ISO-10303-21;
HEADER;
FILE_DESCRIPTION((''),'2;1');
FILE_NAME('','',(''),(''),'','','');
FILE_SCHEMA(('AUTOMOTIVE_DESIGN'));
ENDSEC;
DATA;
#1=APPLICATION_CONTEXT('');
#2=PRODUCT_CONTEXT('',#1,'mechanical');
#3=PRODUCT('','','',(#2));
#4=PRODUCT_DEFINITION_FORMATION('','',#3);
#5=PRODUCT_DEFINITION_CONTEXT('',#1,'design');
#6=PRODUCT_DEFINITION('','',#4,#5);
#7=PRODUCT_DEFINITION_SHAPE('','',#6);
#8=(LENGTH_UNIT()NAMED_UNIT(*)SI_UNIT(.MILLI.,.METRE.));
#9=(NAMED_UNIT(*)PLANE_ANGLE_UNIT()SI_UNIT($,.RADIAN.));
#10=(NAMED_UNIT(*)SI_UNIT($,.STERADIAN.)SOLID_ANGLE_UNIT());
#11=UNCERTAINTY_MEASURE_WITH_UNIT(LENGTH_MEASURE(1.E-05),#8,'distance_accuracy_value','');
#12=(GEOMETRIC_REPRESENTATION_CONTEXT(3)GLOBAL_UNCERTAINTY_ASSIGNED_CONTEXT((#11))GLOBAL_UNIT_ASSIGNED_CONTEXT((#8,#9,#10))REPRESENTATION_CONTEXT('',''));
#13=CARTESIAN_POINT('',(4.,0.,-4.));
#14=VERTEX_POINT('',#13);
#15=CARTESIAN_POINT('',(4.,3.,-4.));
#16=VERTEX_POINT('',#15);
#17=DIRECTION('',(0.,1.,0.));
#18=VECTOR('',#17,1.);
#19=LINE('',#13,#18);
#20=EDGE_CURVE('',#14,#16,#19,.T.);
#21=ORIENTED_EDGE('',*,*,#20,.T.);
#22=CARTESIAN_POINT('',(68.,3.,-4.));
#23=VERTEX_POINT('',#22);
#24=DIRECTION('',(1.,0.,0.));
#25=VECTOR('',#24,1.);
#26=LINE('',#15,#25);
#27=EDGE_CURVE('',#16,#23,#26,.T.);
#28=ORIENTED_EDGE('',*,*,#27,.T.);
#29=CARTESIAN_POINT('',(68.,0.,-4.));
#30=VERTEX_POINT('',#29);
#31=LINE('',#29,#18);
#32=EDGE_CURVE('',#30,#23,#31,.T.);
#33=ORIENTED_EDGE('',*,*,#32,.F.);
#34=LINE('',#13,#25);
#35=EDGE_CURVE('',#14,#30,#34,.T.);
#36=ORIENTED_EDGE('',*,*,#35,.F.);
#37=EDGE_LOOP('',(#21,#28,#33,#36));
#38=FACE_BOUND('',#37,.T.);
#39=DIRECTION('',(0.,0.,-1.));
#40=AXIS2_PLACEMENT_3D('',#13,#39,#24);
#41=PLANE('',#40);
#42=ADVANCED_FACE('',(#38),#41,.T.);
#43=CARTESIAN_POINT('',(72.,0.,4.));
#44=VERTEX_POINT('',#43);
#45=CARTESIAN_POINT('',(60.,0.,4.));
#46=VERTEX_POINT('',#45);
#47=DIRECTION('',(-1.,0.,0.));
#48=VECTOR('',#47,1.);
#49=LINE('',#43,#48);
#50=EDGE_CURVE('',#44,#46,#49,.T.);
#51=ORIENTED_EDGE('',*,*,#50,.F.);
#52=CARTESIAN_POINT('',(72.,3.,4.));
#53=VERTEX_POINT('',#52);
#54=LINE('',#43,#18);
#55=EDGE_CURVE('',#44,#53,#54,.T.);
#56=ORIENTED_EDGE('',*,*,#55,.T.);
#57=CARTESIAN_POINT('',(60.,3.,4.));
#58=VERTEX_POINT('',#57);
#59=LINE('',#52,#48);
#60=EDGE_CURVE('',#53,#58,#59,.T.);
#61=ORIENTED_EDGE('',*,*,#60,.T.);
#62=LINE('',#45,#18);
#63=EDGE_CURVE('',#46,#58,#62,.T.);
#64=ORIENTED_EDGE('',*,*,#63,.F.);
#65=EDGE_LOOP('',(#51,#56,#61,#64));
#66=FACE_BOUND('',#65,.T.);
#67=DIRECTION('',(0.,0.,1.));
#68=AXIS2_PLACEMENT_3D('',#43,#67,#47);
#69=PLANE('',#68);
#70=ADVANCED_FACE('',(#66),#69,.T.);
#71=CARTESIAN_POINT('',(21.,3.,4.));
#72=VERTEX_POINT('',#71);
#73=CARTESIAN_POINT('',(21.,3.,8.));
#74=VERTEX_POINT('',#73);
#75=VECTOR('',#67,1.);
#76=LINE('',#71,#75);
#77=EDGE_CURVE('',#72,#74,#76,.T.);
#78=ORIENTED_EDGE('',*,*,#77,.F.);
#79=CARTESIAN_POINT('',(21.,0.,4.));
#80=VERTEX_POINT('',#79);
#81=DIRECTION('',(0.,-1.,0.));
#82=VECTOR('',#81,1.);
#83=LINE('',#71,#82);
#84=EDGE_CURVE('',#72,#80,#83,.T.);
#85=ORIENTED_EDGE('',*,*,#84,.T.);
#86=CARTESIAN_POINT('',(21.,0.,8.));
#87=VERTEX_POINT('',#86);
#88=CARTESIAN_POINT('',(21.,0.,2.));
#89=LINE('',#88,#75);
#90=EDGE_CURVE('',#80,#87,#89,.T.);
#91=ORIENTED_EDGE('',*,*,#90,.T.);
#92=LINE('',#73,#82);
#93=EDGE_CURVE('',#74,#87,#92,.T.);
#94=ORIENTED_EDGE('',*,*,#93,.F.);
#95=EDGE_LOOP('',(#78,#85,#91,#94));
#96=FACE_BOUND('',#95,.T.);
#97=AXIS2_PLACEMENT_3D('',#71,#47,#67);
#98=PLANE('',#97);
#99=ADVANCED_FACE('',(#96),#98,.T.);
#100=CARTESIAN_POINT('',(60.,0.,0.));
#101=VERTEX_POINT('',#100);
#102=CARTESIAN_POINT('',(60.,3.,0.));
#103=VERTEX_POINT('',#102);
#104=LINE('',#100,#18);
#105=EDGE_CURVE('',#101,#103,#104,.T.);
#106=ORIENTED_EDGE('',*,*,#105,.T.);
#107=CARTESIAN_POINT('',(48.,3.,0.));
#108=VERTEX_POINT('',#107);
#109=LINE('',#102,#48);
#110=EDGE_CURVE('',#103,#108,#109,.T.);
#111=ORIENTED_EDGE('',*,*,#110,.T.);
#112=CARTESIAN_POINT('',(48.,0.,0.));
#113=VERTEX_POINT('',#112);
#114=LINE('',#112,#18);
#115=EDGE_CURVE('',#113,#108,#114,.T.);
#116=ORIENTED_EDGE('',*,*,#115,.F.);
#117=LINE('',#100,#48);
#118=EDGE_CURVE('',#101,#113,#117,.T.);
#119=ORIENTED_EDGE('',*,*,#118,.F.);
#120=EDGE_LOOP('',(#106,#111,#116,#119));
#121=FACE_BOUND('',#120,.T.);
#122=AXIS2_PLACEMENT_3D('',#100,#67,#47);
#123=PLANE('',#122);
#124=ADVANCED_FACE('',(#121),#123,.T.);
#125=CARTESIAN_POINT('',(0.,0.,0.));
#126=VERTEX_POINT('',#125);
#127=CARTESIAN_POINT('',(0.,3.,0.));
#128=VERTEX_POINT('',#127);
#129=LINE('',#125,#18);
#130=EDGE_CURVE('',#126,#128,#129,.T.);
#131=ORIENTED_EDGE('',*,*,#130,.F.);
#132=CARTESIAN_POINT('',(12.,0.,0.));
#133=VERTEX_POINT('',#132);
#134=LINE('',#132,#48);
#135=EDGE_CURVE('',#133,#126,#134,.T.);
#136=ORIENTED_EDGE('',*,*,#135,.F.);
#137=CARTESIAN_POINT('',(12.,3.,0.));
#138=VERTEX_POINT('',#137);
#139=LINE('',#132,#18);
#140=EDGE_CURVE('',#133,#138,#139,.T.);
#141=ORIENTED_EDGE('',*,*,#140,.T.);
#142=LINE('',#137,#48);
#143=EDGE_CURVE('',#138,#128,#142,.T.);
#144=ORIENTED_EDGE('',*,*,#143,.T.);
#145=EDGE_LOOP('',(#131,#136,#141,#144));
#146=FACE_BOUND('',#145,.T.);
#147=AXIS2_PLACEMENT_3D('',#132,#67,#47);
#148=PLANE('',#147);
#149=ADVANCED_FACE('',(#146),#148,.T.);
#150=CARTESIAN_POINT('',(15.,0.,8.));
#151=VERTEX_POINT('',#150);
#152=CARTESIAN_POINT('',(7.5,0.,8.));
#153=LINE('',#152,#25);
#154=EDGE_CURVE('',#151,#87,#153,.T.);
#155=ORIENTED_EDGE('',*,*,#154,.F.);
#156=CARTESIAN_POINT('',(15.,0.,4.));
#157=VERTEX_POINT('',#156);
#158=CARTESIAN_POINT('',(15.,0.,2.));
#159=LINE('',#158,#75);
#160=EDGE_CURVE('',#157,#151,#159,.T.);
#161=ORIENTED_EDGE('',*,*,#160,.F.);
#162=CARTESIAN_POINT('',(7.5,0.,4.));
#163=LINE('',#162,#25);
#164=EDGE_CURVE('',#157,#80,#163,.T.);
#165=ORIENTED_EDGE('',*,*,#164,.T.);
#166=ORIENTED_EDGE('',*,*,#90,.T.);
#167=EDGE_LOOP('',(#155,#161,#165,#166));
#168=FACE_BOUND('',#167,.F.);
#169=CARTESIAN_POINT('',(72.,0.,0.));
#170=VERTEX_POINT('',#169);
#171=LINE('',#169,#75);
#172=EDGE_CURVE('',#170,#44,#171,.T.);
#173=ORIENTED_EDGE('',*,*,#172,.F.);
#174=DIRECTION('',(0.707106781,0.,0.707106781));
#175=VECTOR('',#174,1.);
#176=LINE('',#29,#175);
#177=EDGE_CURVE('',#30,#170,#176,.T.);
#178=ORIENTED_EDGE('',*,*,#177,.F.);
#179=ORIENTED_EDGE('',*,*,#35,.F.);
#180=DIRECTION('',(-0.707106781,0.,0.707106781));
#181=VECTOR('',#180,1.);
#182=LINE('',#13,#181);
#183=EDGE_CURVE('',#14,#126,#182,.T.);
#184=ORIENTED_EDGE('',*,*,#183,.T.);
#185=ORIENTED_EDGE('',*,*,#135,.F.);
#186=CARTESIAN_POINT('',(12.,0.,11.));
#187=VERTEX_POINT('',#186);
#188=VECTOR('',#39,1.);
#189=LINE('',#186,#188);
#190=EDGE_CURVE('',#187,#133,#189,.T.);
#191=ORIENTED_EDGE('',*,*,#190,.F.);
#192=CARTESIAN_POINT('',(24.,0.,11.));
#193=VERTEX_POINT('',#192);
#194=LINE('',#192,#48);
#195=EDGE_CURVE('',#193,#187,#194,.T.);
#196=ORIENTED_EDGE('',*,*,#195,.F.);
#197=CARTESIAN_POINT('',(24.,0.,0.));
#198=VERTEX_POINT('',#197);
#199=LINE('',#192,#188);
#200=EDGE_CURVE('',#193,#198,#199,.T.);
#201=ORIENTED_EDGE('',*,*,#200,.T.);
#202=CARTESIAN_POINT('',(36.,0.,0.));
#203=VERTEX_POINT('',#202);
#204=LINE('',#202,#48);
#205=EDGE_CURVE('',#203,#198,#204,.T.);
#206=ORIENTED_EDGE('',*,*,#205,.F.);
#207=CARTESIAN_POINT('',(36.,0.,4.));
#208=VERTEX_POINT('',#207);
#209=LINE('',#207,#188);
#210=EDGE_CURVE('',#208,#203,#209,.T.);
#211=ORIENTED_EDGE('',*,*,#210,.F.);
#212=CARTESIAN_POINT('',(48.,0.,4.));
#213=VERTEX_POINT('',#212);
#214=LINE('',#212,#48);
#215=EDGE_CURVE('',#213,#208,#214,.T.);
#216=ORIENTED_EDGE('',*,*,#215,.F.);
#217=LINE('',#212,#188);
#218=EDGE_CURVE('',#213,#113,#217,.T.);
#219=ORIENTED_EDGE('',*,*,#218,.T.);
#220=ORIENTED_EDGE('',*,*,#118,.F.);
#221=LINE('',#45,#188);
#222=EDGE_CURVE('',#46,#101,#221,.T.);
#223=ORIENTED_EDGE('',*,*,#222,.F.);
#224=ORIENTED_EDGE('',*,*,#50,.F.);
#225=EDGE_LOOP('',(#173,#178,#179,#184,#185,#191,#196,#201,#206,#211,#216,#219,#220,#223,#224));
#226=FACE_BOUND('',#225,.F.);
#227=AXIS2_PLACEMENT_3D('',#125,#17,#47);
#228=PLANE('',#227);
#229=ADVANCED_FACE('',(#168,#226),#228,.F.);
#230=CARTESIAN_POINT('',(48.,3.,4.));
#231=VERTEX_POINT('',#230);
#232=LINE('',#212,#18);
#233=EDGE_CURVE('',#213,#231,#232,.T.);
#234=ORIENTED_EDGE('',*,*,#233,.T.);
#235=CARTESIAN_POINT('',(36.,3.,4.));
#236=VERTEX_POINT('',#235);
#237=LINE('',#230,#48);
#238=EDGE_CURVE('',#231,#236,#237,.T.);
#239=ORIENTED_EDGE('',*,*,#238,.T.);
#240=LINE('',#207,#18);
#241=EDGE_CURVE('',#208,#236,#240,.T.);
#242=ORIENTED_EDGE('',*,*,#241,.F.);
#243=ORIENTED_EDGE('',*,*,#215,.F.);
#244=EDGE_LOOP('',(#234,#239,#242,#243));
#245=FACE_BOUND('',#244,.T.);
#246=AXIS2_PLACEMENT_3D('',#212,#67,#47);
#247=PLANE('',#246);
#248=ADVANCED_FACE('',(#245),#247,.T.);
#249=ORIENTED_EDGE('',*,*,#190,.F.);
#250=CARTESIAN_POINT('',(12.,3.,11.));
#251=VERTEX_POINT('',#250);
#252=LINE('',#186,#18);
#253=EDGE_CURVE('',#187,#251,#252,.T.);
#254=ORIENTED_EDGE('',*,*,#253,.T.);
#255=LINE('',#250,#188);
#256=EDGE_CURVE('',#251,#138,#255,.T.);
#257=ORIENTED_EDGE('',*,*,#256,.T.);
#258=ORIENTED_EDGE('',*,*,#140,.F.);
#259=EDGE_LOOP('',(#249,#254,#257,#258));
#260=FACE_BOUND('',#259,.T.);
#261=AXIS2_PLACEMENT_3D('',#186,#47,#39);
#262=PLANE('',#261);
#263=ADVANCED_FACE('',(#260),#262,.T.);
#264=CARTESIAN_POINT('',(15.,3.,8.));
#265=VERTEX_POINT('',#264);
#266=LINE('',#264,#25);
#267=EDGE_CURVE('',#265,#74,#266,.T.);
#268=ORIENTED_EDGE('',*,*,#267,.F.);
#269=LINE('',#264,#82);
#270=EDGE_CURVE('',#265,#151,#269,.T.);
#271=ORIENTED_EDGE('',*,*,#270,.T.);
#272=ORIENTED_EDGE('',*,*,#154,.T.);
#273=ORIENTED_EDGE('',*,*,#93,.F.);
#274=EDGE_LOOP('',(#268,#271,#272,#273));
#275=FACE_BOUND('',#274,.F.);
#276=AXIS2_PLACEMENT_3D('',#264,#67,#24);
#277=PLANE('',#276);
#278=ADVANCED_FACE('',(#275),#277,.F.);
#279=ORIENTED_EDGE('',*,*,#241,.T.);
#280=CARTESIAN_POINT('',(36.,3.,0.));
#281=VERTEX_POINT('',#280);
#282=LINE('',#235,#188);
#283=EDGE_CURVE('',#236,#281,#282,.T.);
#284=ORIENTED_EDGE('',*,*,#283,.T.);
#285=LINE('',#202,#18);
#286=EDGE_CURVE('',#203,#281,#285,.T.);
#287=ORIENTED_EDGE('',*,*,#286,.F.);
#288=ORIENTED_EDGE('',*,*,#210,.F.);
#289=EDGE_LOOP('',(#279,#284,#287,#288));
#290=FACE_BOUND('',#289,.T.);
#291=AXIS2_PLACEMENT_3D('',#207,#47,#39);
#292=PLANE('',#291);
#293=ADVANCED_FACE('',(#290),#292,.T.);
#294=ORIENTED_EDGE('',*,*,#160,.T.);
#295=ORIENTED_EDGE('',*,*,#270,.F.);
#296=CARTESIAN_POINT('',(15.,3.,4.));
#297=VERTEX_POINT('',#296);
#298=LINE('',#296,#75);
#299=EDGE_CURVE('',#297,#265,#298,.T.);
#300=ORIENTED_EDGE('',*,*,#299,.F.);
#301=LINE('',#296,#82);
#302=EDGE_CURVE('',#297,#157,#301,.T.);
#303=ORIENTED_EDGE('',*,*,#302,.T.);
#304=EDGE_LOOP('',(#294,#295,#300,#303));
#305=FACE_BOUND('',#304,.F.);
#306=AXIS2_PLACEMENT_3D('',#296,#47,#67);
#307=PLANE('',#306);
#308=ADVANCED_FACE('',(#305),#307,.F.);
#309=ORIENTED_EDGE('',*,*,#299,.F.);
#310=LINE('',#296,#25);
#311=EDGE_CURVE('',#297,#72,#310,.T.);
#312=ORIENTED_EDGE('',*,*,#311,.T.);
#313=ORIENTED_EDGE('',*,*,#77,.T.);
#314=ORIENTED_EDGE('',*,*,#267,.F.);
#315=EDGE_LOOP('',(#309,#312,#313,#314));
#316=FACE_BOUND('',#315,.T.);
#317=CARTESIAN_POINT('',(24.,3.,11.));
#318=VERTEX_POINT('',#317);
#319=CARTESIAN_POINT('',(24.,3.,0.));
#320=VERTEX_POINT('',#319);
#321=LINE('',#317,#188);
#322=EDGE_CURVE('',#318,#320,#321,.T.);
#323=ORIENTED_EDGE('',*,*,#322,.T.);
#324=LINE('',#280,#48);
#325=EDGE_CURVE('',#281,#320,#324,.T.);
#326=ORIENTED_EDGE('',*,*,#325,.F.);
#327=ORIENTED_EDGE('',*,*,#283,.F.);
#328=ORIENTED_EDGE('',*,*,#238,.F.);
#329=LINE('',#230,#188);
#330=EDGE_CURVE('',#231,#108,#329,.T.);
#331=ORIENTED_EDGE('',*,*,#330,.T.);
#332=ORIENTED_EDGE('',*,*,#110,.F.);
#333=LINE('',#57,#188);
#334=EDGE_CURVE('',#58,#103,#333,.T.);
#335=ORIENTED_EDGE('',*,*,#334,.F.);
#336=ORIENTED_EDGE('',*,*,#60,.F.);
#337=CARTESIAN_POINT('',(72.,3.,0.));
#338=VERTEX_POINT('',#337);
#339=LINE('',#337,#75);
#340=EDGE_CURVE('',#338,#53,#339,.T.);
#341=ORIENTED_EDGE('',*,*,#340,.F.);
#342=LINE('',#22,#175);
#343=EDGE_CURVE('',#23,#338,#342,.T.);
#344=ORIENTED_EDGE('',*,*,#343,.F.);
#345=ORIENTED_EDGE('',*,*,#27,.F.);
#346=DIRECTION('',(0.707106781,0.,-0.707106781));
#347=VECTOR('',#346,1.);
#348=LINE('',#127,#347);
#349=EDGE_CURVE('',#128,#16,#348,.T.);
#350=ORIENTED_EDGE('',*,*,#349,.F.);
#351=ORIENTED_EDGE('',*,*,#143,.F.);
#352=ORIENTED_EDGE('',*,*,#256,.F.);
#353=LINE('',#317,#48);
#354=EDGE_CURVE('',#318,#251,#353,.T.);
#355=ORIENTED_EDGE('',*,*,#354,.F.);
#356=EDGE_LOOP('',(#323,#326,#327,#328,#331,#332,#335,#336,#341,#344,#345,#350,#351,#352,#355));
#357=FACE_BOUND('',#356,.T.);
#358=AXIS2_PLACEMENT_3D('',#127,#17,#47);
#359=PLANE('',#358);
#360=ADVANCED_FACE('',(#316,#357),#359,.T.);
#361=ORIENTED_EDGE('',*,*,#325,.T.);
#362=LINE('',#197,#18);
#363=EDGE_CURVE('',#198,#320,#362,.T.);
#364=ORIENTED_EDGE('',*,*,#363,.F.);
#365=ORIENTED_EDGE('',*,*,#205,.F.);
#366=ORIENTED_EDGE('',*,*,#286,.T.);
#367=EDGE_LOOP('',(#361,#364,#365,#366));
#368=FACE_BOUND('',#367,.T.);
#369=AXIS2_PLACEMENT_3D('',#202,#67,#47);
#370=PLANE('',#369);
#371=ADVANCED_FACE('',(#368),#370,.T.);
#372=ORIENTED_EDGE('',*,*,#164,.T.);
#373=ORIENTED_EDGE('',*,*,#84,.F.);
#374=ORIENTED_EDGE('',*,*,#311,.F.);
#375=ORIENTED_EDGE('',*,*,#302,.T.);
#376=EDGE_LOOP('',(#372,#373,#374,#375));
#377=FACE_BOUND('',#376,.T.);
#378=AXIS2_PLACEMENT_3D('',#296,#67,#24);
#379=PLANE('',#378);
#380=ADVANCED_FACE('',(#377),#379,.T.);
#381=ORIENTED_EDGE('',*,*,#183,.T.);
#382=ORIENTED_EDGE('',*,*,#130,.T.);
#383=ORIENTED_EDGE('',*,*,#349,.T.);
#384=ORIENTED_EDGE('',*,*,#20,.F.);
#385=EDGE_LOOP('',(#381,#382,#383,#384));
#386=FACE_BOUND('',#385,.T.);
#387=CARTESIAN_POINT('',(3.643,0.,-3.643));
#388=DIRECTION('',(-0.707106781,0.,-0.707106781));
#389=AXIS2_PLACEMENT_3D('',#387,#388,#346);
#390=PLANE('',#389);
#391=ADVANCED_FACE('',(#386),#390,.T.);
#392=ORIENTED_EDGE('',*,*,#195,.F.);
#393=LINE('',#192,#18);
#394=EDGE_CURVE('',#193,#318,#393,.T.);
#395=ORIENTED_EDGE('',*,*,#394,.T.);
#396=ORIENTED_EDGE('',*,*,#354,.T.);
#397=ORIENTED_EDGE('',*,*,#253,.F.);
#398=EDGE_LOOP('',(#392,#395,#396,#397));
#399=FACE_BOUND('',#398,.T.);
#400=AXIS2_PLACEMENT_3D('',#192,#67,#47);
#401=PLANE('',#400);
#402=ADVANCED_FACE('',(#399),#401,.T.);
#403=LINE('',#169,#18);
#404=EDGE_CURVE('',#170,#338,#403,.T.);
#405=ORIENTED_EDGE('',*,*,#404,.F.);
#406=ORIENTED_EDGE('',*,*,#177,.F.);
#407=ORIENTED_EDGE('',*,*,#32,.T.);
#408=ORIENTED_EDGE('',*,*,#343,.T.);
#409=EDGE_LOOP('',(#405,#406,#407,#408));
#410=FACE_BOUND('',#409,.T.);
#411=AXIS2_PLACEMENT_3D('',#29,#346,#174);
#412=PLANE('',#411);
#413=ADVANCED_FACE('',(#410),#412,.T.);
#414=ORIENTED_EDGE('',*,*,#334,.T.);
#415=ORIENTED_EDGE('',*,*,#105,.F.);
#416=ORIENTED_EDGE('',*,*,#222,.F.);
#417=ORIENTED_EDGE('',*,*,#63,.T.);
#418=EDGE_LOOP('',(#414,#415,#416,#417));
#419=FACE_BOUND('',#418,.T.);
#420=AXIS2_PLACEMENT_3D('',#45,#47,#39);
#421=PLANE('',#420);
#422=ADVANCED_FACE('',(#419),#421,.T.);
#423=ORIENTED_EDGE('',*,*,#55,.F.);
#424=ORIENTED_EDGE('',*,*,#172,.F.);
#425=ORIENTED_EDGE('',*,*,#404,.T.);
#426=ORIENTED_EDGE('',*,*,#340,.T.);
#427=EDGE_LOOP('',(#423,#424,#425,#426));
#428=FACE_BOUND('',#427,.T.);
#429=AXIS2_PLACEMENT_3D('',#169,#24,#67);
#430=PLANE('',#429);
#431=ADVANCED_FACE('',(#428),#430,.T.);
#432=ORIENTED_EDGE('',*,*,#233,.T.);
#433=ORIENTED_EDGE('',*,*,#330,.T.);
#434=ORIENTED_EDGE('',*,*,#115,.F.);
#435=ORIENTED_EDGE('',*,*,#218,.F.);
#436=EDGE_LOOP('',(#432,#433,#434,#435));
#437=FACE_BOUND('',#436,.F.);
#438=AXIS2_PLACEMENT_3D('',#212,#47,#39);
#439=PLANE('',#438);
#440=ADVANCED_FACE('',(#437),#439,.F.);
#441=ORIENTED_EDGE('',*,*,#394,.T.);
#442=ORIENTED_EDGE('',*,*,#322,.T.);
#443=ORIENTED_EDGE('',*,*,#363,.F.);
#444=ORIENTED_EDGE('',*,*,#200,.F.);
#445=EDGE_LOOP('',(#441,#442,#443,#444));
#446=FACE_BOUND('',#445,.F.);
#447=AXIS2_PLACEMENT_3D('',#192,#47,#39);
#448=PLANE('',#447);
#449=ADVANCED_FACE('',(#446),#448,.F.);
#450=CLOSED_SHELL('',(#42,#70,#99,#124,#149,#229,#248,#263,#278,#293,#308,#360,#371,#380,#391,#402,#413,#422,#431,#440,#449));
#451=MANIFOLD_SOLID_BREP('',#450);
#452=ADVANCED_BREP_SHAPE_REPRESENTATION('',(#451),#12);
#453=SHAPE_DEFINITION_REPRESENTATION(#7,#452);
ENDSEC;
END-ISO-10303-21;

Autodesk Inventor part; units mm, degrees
ref_plane "YZ Plane" through (0, 0, 0) normal (1, 0, 0) x (0, 1, 0)
ref_plane "XZ Plane" through (0, 0, 0) normal (0, 1, 0) x (-1, 0, 0)
ref_plane "XY Plane" through (0, 0, 0) normal (0, 0, 1) x (1, 0, 0)
sketch "Эскиз1" plane through (0, 0, 0) normal (0, 1, 0) x (-1, 0, 0)
  line L0 (-4, -4) -> (-68, -4)
  line L1 (-72, 0) -> (-72, 4)
  line L2 (0, 0) -> (-3.643, -3.643)
  line L3 (-3.643, -3.643) -> (-4, -4)
  line L4 (-48, 4) -> (-48, 0)
  line L5 (-48, 4) -> (-48, 0)
  line L6 (-36, 4) -> (-36, 0)
  line L7 (-60, 4) -> (-60, 0)
  line L8 (-72, 4) -> (-60, 4)
  line L9 (-48, 4) -> (-36, 4)
  line L10 (-60, 0) -> (-48, 0)
  line L11 (-36, 0) -> (-24, 0)
  line L12 (-12, 0) -> (0, 0)
  line L13 (-68, -4) -> (-72, 0)
  line L14 (-24, 11) -> (-12, 11)
  line L15 (-12, 11) -> (-12, 0)
  line L16 (-24, 11) -> (-24, 0)
  point P0 (0, 0)
  point P1 (-48, 2)
  point P2 (-72, 2)
  point P3 (-48, 2)
  point P4 (-12, 2)
  point P5 (-36, 2)
  point P6 (-60, 2)
  point P7 (-30, 0)
  point P8 (-3.8215, -3.8215)
  dimension "d9" = 24
  dimension "d13" = 12
  dimension "d19" = 4
  dimension "d23" = 8
  dimension "d26" = 135
  dimension "d28" = 72
  dimension "d29" = 12
  dimension "d30" = 11
extrude "Выдавливание1" add sketch "Эскиз1" along normal blind 3
sketch "Эскиз2" plane through (0, 3, 0) normal (0, 1, 0) x (1, 0, 0)
  line L0 (12, 0) -> (12, -11) construction
  line L1 (12, -11) -> (24, -11) construction
  line L2 (15, -4) -> (15, -8)
  line L3 (15, -8) -> (21, -8)
  line L4 (15, -4) -> (21, -4)
  line L5 (21, -4) -> (21, -8)
  line L6 (24, -11) -> (24, 0) projected
  point P0 (0, 0)
  point P1 (21, -6)
  dimension "d31" = 3
  dimension "d32" = 4
  dimension "d33" = 3
  dimension "d36" = 3
extrude "Выдавливание2" cut sketch "Эскиз2" against normal blind 10
properties part number "креп"
